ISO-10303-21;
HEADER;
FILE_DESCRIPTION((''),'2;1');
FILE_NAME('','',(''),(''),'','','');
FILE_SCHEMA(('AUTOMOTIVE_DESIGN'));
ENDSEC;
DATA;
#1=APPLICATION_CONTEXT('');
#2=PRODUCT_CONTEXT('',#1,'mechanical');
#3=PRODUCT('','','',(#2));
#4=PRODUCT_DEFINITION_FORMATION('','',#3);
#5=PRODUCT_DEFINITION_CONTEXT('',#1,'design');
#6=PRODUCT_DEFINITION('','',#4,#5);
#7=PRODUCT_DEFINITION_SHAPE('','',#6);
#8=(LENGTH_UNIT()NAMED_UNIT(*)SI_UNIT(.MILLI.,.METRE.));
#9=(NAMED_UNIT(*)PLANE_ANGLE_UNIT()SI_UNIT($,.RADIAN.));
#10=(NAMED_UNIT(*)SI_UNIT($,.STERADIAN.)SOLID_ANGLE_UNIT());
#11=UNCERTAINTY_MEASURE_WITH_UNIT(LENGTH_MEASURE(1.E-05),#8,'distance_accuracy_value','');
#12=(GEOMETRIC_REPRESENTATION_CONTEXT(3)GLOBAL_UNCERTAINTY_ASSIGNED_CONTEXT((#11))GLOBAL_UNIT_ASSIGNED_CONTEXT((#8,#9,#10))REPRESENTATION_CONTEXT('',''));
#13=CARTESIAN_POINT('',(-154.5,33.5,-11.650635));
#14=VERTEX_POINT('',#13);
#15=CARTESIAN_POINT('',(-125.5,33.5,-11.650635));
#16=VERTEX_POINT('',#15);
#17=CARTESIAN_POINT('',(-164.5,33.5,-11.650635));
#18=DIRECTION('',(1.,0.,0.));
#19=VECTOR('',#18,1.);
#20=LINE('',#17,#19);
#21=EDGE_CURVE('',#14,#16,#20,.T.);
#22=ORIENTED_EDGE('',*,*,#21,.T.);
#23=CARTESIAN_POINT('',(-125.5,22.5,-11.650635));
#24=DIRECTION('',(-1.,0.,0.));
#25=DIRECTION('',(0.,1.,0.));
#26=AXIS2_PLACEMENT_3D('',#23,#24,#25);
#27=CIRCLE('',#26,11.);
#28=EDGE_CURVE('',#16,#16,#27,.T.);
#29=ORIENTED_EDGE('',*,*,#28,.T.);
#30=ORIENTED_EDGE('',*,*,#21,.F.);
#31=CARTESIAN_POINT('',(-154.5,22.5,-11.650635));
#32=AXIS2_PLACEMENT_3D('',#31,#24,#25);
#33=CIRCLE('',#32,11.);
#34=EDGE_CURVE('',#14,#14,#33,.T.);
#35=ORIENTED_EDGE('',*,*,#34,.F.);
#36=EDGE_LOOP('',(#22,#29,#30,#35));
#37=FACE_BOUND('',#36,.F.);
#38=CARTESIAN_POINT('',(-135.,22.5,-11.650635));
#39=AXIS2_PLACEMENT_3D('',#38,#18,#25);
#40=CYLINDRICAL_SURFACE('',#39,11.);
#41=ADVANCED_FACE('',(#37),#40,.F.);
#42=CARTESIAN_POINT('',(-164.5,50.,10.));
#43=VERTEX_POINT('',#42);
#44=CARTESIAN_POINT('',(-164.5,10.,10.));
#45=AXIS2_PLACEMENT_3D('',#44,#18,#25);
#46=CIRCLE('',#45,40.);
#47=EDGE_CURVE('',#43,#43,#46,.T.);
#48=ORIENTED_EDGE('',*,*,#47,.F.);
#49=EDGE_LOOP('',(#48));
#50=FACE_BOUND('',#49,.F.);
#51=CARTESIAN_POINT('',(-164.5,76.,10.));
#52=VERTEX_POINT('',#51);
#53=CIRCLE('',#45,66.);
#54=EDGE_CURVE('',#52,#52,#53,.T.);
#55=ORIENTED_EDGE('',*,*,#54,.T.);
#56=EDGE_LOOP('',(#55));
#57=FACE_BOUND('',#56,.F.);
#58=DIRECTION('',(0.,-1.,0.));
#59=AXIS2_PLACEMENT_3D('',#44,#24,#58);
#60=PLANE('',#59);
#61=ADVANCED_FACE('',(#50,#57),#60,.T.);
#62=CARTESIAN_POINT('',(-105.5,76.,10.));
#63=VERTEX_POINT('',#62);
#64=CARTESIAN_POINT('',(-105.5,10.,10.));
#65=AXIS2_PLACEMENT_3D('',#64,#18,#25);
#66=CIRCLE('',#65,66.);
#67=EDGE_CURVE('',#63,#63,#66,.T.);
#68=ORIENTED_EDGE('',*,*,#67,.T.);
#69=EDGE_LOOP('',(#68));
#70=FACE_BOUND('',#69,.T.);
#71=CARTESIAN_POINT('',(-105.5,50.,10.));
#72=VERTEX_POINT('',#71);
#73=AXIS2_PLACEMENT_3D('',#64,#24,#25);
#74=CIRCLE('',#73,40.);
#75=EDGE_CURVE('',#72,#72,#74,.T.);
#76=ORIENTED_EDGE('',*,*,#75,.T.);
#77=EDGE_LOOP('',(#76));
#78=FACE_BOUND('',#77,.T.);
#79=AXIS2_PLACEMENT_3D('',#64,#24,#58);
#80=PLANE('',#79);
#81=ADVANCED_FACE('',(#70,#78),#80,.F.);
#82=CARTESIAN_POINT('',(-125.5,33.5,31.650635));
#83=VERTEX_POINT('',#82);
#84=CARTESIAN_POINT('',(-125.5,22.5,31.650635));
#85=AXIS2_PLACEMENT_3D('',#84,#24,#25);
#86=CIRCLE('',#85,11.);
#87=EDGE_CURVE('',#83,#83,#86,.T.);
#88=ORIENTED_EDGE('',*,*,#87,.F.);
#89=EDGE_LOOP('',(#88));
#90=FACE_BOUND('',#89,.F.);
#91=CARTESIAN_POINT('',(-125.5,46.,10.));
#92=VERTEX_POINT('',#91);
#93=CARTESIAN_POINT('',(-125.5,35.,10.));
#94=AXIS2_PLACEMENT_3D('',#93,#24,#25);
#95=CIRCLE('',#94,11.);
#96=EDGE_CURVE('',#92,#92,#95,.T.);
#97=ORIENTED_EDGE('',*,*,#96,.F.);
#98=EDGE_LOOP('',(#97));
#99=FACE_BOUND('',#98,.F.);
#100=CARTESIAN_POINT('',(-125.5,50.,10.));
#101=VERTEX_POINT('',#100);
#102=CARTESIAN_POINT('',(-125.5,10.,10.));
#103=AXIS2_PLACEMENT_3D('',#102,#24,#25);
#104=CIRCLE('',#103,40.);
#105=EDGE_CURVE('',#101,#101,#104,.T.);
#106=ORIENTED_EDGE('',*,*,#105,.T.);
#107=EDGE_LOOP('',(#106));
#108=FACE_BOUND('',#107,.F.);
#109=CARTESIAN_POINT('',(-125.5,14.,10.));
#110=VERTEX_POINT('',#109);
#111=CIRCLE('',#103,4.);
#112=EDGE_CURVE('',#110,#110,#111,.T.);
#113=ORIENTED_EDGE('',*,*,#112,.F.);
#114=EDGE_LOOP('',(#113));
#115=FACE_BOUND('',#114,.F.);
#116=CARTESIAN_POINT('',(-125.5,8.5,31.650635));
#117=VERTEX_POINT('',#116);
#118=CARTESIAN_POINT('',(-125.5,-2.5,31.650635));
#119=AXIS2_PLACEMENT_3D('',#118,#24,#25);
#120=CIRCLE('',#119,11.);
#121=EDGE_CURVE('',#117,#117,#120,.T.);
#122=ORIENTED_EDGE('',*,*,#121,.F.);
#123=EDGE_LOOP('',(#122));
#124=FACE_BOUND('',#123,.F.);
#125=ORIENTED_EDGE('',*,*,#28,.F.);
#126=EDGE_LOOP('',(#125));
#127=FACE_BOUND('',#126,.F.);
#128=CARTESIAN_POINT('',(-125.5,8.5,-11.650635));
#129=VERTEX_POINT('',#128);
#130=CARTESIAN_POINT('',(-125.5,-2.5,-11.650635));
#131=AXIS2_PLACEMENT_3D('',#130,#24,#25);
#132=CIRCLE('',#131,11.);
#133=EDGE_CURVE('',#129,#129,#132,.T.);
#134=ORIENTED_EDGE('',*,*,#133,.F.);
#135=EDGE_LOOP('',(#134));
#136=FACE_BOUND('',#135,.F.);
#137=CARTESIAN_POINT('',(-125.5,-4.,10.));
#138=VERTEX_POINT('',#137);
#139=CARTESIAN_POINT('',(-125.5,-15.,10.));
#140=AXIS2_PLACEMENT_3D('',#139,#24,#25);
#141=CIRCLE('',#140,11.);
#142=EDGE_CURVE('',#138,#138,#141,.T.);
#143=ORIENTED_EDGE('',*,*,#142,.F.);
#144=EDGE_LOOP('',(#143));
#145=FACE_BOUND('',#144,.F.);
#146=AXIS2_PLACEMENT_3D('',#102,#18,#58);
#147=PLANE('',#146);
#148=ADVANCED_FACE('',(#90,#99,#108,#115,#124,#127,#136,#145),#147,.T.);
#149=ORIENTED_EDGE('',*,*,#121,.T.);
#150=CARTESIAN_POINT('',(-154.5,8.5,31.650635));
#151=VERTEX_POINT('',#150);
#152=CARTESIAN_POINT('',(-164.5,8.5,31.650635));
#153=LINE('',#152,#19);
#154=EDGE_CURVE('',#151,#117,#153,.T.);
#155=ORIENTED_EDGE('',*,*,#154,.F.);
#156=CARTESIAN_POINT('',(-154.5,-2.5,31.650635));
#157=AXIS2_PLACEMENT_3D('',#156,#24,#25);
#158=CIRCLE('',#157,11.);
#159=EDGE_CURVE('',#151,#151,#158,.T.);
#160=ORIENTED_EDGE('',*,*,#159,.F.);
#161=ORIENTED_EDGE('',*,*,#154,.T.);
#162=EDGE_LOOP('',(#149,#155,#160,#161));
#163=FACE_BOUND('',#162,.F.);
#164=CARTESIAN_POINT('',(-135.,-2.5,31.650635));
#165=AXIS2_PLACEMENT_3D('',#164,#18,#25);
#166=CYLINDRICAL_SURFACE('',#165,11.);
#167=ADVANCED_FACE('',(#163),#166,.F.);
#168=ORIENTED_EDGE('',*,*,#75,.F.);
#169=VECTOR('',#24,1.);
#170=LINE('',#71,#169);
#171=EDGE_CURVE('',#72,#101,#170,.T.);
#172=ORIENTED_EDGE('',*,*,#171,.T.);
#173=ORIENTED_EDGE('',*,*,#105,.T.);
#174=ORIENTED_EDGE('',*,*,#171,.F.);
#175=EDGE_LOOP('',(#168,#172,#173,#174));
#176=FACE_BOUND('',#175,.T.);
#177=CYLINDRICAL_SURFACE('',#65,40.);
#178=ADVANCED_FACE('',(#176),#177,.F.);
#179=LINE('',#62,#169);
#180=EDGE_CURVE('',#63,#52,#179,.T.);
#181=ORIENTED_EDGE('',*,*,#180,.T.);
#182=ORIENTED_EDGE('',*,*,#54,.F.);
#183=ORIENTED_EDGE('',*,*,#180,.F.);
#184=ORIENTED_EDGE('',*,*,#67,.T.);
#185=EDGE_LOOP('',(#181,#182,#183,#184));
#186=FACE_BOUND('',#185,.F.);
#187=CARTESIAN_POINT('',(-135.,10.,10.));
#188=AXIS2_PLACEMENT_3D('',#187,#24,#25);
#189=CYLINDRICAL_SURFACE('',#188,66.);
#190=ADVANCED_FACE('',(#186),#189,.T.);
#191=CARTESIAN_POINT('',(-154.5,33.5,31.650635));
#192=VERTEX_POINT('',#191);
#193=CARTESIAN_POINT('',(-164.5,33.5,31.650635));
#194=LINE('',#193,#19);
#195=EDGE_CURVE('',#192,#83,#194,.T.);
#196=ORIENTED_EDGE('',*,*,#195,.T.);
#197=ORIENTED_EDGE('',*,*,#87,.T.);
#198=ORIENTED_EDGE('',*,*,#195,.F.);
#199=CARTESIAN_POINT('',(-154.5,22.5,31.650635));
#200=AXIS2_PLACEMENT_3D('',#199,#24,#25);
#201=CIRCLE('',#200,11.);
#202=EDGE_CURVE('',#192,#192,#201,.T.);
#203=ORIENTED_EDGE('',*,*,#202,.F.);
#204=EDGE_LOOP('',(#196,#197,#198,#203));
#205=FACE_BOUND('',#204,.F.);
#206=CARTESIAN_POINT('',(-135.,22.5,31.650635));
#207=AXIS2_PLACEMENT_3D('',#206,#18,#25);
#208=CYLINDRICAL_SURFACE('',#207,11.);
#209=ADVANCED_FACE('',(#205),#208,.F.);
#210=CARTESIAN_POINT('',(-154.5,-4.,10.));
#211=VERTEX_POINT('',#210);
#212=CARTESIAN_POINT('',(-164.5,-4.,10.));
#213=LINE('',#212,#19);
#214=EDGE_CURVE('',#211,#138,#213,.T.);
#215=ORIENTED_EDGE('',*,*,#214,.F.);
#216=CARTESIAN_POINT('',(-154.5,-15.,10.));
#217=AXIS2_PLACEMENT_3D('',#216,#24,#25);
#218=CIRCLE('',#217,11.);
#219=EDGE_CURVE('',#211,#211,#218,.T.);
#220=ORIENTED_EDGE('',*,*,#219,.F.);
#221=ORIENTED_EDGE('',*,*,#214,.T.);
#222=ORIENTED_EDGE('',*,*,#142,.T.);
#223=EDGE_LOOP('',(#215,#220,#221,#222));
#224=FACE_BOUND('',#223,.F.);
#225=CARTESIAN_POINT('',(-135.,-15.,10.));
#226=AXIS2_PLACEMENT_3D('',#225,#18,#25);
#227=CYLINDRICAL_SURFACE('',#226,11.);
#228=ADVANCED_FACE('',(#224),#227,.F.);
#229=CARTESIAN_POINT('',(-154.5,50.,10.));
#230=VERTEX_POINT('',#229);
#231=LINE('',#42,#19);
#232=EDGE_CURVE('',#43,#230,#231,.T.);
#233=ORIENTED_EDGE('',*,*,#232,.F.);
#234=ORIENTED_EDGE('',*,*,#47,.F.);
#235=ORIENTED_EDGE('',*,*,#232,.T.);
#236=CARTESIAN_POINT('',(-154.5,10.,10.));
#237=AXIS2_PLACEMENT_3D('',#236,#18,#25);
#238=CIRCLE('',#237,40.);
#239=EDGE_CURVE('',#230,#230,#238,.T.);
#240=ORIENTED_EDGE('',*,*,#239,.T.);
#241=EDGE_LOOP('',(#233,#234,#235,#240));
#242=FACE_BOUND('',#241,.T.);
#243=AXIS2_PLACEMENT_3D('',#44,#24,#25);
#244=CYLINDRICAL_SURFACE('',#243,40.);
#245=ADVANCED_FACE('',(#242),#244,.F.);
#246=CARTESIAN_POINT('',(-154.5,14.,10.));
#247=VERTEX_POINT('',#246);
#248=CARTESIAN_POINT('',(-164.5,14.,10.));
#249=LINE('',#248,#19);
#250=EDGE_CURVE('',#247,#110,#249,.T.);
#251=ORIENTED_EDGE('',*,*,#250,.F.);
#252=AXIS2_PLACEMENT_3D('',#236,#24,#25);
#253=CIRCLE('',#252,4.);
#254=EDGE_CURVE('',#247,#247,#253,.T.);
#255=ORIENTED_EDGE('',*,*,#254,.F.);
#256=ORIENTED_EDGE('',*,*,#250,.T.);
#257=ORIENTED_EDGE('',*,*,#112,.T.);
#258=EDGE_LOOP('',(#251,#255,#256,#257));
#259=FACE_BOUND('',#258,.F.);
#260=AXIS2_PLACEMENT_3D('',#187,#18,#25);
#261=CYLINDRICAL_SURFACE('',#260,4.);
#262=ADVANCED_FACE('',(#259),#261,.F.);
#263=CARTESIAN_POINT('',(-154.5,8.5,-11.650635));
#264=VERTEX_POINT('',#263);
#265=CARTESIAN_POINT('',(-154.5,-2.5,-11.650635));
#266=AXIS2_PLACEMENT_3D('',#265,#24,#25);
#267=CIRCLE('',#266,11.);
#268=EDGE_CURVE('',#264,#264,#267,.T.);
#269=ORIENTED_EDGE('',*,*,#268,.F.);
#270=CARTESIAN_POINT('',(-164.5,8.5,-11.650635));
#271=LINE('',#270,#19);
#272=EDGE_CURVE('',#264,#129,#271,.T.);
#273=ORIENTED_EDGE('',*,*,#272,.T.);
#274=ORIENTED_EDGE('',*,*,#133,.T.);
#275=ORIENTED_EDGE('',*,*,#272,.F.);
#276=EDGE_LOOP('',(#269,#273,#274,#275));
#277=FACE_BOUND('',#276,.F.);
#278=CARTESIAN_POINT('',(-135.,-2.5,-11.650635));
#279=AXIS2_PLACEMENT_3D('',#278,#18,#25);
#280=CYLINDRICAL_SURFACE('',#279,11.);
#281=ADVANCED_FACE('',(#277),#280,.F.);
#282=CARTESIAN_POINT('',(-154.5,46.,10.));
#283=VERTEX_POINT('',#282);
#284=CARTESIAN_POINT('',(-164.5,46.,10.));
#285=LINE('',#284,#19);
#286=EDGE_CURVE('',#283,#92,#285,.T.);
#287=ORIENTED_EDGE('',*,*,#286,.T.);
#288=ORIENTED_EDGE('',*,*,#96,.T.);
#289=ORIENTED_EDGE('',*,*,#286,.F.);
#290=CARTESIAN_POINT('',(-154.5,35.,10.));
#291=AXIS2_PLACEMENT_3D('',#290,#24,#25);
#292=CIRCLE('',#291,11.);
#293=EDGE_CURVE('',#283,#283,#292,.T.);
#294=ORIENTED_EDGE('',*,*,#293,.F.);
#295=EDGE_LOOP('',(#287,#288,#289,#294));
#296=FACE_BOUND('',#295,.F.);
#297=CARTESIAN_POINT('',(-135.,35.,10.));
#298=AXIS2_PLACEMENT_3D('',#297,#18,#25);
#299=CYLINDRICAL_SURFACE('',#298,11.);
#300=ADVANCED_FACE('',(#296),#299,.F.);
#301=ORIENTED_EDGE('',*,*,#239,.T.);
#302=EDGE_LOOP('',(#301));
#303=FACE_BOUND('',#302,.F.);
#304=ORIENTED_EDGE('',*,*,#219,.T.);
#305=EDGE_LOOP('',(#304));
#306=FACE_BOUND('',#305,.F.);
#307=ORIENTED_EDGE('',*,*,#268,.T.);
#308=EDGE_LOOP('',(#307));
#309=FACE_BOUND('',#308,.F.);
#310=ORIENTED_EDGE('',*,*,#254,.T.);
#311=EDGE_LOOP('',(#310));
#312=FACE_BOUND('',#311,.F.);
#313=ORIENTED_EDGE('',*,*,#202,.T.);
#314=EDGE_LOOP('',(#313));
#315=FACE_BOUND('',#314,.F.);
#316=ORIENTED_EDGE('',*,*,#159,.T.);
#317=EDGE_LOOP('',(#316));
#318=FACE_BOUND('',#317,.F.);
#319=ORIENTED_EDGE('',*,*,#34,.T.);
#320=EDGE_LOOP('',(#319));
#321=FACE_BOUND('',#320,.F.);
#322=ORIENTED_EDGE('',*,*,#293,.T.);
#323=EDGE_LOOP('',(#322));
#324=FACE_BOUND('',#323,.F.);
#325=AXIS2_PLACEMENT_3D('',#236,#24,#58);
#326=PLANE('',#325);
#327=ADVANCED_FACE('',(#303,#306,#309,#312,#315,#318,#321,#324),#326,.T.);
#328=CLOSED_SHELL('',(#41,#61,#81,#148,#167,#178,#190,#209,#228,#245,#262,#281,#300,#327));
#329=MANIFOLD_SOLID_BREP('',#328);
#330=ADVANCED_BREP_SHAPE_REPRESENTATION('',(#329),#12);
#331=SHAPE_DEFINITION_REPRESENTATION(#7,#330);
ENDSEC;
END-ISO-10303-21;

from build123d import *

# Parameters (mm, degrees)
SKETCH004_R     = 66
SKETCH004_R_2   = 4
SKETCH004_R_3   = 11
PAD003_DEPTH    = 29.5
SKETCH005_R     = 40
POCKET001_DEPTH = 20
SKETCH006_R     = 40
POCKET002_DEPTH = 10


with BuildPart() as wheel_right:
    # Sketch004 → Pad003 (new body, symmetric)
    with BuildSketch(Plane.YZ):
        Circle(SKETCH004_R)
        Circle(SKETCH004_R_2, mode=Mode.SUBTRACT)
        with Locations((12.5, -21.650635)):
            Circle(SKETCH004_R_3, mode=Mode.SUBTRACT)
        with Locations((25, 0)):
            Circle(SKETCH004_R_3, mode=Mode.SUBTRACT)
        with Locations((12.5, 21.650635)):
            Circle(SKETCH004_R_3, mode=Mode.SUBTRACT)
        with Locations((-12.5, 21.650635)):
            Circle(SKETCH004_R_3, mode=Mode.SUBTRACT)
        with Locations((-25, 0)):
            Circle(SKETCH004_R_3, mode=Mode.SUBTRACT)
        with Locations((-12.5, -21.650635)):
            Circle(SKETCH004_R_3, mode=Mode.SUBTRACT)
    extrude(amount=PAD003_DEPTH, both=True)

    # Sketch005 (on Face3 of Pad003) → Pocket001 (cut)
    with BuildSketch(Plane(origin=(-29.5, 0, 0), x_dir=(0, 1, 0), z_dir=(-1, 0, 0))):
        Circle(SKETCH005_R)
    extrude(amount=-POCKET001_DEPTH, mode=Mode.SUBTRACT)

    # Sketch006 (on Face3 of Pocket001) → Pocket002 (cut)
    with BuildSketch(Plane.YZ.offset(29.5)):
        Circle(SKETCH006_R)
    extrude(amount=-POCKET002_DEPTH, mode=Mode.SUBTRACT)


with BuildPart() as wheel_right_1:
    # Body003 placement: moved
    add(wheel_right.part.moved(Location((135, 10, 10))))


with BuildPart() as part_mirroring001:
    # Part__Mirroring001: instance of wheel right
    add(wheel_right_1.part.mirror(Plane(origin=(0, 0, 0), x_dir=(0, -1, 0), z_dir=(1, 0, 0))))


solid = part_mirroring001.part
